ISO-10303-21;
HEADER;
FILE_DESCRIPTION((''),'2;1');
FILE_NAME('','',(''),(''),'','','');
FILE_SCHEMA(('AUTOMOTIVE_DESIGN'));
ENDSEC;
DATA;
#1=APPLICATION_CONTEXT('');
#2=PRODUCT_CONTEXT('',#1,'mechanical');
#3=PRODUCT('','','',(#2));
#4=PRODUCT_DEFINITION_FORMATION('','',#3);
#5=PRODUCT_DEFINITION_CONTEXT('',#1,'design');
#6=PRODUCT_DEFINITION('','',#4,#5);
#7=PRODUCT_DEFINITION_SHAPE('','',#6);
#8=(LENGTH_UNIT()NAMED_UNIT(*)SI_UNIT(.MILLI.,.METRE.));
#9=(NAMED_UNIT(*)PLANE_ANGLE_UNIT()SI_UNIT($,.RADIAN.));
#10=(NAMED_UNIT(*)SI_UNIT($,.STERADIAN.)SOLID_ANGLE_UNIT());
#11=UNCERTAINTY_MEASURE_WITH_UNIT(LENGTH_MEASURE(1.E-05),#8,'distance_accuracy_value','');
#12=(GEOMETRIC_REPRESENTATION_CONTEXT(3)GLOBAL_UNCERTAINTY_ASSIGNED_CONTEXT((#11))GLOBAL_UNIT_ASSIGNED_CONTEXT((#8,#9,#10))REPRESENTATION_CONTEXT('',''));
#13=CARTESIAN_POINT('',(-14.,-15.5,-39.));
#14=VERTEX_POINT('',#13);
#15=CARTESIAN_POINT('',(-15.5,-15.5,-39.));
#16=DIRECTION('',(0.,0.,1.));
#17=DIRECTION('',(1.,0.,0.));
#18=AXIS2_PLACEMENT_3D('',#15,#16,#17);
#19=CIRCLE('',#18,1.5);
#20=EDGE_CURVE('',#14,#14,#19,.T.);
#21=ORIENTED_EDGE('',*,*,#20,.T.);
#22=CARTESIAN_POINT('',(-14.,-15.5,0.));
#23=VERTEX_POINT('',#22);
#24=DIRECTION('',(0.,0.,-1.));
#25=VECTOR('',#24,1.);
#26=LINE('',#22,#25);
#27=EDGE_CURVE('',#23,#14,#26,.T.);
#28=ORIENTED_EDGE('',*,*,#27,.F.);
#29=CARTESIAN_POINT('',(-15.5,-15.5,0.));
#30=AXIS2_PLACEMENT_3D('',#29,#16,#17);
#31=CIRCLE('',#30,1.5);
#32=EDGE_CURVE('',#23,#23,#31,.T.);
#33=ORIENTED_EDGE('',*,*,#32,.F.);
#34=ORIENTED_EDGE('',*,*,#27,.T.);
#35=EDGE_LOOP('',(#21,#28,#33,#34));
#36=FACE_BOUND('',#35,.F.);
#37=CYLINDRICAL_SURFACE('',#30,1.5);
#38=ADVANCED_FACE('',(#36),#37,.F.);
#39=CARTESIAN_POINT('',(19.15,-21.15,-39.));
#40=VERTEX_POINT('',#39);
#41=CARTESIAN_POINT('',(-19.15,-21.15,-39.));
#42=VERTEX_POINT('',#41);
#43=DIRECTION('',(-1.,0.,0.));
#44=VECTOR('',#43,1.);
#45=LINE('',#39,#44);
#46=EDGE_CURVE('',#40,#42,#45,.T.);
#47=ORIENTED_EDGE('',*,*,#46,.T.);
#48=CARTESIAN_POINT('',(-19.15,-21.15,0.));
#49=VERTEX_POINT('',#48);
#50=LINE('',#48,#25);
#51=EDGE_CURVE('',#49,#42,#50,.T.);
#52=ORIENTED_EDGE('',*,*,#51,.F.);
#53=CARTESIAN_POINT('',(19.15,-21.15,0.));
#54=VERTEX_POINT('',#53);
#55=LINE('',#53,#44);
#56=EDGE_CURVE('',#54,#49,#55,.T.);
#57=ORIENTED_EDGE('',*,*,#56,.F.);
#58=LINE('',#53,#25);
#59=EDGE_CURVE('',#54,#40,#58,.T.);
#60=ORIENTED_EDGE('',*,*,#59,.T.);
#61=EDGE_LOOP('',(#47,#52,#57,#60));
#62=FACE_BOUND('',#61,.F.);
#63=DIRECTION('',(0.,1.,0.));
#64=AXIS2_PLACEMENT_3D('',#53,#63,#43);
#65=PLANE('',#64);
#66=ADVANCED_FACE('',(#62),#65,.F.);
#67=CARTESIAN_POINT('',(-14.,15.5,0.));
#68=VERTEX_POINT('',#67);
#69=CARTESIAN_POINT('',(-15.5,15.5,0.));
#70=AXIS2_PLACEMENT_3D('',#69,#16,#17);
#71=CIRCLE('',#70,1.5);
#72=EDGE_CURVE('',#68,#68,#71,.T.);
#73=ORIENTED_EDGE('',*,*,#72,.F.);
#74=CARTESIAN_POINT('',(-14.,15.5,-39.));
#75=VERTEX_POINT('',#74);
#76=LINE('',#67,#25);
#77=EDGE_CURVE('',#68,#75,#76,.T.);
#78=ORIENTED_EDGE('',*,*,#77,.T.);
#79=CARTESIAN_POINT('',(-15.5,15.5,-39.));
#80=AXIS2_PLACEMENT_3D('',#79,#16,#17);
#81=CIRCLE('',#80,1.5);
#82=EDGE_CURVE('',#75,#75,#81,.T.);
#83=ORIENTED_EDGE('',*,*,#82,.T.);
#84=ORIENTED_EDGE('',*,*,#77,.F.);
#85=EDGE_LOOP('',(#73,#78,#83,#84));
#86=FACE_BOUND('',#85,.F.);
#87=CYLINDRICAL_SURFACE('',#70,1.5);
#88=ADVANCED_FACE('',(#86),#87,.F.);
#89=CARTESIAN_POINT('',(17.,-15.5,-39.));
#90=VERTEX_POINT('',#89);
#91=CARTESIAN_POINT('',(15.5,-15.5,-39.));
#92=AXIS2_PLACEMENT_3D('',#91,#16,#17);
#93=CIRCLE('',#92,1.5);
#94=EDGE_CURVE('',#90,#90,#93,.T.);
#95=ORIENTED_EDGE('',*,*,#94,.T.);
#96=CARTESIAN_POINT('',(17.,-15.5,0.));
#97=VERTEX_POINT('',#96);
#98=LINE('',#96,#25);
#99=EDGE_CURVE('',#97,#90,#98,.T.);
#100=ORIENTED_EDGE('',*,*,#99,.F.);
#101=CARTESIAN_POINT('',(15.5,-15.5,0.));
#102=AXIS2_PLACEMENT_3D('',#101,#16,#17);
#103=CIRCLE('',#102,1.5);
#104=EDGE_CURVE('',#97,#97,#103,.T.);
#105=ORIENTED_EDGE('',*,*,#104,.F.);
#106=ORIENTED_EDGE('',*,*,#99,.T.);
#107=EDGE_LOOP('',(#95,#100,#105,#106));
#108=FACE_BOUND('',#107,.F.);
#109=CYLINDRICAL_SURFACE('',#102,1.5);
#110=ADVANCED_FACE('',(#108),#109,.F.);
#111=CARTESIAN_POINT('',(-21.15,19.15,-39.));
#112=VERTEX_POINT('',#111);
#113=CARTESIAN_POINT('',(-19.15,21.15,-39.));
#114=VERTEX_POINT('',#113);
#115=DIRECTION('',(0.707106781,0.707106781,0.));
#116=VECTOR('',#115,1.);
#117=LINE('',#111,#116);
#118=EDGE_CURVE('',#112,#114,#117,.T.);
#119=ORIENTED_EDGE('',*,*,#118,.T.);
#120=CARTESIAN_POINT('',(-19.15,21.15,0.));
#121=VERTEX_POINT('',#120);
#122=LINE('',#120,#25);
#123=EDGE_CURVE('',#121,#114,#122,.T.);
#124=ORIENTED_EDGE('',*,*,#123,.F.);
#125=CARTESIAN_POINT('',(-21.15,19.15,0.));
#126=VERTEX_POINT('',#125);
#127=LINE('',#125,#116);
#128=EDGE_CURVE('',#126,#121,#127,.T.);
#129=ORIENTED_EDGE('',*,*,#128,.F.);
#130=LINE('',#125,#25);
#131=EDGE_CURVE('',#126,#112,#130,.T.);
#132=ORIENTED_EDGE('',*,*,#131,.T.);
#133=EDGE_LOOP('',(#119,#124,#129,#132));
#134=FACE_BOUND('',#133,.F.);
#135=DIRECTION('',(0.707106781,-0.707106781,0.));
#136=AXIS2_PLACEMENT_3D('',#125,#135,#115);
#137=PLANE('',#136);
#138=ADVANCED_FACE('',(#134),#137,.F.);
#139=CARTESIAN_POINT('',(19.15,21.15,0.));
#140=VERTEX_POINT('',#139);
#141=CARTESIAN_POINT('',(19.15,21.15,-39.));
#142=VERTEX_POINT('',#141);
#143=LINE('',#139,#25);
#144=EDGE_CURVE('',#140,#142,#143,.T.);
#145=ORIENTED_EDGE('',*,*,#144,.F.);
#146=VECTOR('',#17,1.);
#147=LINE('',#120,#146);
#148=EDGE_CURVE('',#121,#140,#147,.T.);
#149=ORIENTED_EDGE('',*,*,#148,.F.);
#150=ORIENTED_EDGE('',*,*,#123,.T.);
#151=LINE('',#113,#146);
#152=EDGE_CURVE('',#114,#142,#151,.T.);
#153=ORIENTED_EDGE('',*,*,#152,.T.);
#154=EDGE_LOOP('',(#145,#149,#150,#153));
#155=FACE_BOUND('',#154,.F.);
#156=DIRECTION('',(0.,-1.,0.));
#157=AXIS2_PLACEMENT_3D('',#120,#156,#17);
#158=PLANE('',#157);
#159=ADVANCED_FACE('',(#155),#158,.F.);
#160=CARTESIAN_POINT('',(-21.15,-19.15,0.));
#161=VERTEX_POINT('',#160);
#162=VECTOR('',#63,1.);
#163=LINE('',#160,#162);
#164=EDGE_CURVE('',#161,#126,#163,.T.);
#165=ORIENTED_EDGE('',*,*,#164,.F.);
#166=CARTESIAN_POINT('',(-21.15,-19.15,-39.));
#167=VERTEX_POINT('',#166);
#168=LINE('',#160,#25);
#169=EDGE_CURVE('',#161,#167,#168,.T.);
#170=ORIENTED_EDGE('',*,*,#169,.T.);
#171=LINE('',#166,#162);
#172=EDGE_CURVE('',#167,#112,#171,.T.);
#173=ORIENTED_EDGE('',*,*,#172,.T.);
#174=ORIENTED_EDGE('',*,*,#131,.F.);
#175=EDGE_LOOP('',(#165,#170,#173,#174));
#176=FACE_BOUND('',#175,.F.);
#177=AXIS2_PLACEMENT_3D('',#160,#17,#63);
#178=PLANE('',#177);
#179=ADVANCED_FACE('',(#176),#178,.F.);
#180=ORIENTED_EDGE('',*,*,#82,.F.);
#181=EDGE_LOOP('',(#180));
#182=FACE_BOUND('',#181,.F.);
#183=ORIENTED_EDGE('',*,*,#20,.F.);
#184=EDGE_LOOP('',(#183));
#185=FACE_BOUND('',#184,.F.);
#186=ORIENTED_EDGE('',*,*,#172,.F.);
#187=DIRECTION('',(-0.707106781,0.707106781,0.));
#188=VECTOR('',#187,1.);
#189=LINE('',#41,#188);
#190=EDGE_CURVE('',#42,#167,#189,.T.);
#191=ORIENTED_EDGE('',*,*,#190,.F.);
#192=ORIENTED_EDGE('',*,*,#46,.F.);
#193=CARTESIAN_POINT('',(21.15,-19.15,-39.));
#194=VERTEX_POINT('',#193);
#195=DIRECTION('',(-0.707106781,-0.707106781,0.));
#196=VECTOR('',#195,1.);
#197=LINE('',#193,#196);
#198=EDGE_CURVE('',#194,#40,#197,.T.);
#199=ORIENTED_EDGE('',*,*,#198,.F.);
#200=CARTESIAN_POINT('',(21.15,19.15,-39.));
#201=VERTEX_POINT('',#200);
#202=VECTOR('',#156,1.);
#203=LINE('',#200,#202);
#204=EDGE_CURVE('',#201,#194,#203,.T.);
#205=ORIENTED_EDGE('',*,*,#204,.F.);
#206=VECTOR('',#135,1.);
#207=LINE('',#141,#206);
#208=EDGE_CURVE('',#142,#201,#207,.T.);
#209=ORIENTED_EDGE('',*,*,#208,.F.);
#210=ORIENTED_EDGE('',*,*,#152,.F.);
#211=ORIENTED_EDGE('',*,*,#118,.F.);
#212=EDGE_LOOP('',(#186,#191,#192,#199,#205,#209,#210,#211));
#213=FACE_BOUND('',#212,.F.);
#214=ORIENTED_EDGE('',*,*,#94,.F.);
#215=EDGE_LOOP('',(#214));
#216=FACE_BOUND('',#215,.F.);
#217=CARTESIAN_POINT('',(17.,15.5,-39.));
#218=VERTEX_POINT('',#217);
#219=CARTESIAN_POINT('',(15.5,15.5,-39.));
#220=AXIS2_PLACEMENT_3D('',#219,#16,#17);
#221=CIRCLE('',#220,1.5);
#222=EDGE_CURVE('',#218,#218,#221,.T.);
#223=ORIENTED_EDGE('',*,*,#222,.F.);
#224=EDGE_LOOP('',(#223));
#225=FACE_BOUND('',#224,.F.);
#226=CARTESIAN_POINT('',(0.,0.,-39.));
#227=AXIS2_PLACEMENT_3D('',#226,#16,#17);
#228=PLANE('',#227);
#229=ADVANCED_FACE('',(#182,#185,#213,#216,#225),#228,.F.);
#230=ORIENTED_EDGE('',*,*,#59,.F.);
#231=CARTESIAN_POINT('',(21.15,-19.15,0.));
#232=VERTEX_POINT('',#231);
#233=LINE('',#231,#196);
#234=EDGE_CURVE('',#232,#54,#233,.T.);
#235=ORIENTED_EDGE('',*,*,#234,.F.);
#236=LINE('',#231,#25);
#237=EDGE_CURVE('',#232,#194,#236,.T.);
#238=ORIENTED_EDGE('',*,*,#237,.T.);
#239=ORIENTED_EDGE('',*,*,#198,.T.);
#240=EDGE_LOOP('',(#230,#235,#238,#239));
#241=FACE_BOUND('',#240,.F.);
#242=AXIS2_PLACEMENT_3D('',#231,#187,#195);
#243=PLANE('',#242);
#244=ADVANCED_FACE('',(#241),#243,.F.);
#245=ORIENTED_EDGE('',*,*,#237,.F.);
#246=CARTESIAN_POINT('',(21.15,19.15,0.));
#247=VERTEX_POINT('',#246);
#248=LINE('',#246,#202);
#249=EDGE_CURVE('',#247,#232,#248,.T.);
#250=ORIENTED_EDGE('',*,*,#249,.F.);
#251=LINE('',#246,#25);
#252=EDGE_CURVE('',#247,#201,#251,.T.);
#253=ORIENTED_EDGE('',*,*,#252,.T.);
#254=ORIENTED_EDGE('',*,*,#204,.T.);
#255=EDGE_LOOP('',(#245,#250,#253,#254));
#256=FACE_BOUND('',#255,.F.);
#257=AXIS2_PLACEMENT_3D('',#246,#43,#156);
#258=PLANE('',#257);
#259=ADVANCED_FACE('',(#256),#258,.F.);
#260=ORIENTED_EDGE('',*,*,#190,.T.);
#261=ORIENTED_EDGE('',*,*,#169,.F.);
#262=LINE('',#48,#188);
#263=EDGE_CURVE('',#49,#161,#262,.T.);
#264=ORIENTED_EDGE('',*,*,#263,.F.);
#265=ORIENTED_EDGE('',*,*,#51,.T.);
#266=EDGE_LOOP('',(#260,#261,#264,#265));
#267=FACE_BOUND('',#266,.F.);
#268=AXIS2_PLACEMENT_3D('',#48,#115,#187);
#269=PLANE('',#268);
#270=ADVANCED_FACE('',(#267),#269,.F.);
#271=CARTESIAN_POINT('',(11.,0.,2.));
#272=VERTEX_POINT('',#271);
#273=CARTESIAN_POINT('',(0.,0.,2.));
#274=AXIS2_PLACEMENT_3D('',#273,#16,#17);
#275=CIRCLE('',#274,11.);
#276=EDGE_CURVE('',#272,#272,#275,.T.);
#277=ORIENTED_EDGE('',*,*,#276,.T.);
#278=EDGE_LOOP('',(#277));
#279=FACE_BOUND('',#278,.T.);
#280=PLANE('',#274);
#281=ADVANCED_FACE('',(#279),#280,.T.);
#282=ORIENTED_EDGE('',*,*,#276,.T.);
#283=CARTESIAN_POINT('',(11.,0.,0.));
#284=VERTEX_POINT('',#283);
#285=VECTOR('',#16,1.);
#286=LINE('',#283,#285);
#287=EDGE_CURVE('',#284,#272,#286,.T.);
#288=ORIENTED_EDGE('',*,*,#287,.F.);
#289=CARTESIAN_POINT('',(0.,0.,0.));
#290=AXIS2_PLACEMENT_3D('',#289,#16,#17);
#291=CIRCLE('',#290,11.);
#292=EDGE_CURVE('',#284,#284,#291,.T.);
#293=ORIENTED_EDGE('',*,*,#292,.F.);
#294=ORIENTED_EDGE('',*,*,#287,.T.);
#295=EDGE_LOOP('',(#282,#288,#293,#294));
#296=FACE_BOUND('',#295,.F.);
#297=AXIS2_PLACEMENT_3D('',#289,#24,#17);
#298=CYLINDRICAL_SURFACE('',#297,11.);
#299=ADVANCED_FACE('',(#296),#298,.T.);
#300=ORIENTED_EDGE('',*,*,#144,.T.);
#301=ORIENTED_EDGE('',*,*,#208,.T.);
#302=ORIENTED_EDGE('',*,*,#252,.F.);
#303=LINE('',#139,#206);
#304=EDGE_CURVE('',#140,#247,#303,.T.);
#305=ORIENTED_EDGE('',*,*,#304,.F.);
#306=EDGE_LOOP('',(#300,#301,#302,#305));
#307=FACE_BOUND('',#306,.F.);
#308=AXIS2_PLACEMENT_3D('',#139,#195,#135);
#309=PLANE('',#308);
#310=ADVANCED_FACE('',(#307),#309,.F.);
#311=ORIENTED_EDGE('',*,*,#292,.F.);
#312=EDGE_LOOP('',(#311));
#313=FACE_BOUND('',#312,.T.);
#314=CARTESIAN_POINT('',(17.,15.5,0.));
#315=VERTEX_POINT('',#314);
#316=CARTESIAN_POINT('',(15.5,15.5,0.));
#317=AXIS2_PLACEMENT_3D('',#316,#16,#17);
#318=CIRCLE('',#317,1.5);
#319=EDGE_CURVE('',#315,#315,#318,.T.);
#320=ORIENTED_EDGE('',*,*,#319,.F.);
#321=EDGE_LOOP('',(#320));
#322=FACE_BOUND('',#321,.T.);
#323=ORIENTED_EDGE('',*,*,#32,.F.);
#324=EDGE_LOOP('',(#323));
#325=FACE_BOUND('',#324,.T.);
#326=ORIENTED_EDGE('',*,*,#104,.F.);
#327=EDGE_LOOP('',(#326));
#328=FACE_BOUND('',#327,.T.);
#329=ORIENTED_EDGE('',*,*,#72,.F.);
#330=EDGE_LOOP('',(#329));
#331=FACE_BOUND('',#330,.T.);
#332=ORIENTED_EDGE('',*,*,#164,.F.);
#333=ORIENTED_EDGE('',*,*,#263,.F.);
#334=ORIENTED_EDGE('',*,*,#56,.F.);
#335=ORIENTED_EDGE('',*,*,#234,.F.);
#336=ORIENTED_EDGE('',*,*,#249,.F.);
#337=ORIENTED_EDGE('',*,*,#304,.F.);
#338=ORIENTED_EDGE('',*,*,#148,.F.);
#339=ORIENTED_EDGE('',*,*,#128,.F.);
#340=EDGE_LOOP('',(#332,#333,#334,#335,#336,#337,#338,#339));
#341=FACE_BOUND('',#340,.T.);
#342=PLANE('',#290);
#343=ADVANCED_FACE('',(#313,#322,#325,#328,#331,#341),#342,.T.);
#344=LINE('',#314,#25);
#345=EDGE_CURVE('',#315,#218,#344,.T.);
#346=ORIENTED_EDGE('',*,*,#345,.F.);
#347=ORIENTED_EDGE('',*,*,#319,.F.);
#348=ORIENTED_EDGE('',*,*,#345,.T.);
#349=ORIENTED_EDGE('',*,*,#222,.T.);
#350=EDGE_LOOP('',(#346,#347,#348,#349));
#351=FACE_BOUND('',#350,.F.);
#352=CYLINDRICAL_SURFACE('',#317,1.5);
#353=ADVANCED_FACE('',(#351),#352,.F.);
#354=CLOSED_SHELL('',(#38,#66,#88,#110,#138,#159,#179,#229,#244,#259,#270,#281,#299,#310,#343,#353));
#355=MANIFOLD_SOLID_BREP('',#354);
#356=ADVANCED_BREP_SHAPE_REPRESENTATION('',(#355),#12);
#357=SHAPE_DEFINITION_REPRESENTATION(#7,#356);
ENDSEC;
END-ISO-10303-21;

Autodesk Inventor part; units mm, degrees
ref_plane "YZ Plane" through (0, 0, 0) normal (1, 0, 0) x (0, 1, 0)
ref_plane "XZ Plane" through (0, 0, 0) normal (0, 1, 0) x (-1, 0, 0)
ref_plane "XY Plane" through (0, 0, 0) normal (0, 0, 1) x (1, 0, 0)
sketch "Sketch1" plane through (0, 0, 0) normal (0, 0, 1) x (1, 0, 0)
  line L0 (-19.15, 21.15) -> (19.15, 21.15)
  line L1 (19.15, 21.15) -> (21.15, 19.15)
  line L2 (21.15, 19.15) -> (21.15, -19.15)
  line L3 (21.15, -19.15) -> (19.15, -21.15)
  line L4 (19.15, -21.15) -> (-19.15, -21.15)
  line L5 (-19.15, -21.15) -> (-21.15, -19.15)
  line L6 (-21.15, -19.15) -> (-21.15, 19.15)
  line L7 (-21.15, 19.15) -> (-19.15, 21.15)
  circle A0 centre (-15.5, 15.5) radius 1.5
  circle A1 centre (15.5, 15.5) radius 1.5
  circle A2 centre (15.5, -15.5) radius 1.5
  circle A3 centre (-15.5, -15.5) radius 1.5
  line L8 (-15.5, 15.5) -> (-15.5, -15.5) construction
  line L9 (15.5, 15.5) -> (-15.5, 15.5) construction
  line L10 (-15.5, -15.5) -> (15.5, -15.5) construction
  line L11 (15.5, 15.5) -> (15.5, -15.5) construction
  line L12 (0, 21.15) -> (0, -21.15) construction
  line L13 (-21.15, 0) -> (21.15, 0) construction
  circle A4 centre (0, 0) radius 11
  point P0 (0, 0)
  point P1 (0, 15.5)
  point P2 (-15.5, 0)
  dimension "d0" = 135
  dimension "d1" = 42.3
  dimension "d2" = 2
  dimension "d4" = 31
  dimension "d6" = 3
  dimension "d7" = 22
extrude "Extrusion1" add sketch "Sketch1" along normal blind 2 contours A4
extrude "Extrusion2" add sketch "Sketch1" against normal blind 39 contours L0 L1 L2 L3 L4 L5 L6 L7 | A4
properties part number "nema17"
